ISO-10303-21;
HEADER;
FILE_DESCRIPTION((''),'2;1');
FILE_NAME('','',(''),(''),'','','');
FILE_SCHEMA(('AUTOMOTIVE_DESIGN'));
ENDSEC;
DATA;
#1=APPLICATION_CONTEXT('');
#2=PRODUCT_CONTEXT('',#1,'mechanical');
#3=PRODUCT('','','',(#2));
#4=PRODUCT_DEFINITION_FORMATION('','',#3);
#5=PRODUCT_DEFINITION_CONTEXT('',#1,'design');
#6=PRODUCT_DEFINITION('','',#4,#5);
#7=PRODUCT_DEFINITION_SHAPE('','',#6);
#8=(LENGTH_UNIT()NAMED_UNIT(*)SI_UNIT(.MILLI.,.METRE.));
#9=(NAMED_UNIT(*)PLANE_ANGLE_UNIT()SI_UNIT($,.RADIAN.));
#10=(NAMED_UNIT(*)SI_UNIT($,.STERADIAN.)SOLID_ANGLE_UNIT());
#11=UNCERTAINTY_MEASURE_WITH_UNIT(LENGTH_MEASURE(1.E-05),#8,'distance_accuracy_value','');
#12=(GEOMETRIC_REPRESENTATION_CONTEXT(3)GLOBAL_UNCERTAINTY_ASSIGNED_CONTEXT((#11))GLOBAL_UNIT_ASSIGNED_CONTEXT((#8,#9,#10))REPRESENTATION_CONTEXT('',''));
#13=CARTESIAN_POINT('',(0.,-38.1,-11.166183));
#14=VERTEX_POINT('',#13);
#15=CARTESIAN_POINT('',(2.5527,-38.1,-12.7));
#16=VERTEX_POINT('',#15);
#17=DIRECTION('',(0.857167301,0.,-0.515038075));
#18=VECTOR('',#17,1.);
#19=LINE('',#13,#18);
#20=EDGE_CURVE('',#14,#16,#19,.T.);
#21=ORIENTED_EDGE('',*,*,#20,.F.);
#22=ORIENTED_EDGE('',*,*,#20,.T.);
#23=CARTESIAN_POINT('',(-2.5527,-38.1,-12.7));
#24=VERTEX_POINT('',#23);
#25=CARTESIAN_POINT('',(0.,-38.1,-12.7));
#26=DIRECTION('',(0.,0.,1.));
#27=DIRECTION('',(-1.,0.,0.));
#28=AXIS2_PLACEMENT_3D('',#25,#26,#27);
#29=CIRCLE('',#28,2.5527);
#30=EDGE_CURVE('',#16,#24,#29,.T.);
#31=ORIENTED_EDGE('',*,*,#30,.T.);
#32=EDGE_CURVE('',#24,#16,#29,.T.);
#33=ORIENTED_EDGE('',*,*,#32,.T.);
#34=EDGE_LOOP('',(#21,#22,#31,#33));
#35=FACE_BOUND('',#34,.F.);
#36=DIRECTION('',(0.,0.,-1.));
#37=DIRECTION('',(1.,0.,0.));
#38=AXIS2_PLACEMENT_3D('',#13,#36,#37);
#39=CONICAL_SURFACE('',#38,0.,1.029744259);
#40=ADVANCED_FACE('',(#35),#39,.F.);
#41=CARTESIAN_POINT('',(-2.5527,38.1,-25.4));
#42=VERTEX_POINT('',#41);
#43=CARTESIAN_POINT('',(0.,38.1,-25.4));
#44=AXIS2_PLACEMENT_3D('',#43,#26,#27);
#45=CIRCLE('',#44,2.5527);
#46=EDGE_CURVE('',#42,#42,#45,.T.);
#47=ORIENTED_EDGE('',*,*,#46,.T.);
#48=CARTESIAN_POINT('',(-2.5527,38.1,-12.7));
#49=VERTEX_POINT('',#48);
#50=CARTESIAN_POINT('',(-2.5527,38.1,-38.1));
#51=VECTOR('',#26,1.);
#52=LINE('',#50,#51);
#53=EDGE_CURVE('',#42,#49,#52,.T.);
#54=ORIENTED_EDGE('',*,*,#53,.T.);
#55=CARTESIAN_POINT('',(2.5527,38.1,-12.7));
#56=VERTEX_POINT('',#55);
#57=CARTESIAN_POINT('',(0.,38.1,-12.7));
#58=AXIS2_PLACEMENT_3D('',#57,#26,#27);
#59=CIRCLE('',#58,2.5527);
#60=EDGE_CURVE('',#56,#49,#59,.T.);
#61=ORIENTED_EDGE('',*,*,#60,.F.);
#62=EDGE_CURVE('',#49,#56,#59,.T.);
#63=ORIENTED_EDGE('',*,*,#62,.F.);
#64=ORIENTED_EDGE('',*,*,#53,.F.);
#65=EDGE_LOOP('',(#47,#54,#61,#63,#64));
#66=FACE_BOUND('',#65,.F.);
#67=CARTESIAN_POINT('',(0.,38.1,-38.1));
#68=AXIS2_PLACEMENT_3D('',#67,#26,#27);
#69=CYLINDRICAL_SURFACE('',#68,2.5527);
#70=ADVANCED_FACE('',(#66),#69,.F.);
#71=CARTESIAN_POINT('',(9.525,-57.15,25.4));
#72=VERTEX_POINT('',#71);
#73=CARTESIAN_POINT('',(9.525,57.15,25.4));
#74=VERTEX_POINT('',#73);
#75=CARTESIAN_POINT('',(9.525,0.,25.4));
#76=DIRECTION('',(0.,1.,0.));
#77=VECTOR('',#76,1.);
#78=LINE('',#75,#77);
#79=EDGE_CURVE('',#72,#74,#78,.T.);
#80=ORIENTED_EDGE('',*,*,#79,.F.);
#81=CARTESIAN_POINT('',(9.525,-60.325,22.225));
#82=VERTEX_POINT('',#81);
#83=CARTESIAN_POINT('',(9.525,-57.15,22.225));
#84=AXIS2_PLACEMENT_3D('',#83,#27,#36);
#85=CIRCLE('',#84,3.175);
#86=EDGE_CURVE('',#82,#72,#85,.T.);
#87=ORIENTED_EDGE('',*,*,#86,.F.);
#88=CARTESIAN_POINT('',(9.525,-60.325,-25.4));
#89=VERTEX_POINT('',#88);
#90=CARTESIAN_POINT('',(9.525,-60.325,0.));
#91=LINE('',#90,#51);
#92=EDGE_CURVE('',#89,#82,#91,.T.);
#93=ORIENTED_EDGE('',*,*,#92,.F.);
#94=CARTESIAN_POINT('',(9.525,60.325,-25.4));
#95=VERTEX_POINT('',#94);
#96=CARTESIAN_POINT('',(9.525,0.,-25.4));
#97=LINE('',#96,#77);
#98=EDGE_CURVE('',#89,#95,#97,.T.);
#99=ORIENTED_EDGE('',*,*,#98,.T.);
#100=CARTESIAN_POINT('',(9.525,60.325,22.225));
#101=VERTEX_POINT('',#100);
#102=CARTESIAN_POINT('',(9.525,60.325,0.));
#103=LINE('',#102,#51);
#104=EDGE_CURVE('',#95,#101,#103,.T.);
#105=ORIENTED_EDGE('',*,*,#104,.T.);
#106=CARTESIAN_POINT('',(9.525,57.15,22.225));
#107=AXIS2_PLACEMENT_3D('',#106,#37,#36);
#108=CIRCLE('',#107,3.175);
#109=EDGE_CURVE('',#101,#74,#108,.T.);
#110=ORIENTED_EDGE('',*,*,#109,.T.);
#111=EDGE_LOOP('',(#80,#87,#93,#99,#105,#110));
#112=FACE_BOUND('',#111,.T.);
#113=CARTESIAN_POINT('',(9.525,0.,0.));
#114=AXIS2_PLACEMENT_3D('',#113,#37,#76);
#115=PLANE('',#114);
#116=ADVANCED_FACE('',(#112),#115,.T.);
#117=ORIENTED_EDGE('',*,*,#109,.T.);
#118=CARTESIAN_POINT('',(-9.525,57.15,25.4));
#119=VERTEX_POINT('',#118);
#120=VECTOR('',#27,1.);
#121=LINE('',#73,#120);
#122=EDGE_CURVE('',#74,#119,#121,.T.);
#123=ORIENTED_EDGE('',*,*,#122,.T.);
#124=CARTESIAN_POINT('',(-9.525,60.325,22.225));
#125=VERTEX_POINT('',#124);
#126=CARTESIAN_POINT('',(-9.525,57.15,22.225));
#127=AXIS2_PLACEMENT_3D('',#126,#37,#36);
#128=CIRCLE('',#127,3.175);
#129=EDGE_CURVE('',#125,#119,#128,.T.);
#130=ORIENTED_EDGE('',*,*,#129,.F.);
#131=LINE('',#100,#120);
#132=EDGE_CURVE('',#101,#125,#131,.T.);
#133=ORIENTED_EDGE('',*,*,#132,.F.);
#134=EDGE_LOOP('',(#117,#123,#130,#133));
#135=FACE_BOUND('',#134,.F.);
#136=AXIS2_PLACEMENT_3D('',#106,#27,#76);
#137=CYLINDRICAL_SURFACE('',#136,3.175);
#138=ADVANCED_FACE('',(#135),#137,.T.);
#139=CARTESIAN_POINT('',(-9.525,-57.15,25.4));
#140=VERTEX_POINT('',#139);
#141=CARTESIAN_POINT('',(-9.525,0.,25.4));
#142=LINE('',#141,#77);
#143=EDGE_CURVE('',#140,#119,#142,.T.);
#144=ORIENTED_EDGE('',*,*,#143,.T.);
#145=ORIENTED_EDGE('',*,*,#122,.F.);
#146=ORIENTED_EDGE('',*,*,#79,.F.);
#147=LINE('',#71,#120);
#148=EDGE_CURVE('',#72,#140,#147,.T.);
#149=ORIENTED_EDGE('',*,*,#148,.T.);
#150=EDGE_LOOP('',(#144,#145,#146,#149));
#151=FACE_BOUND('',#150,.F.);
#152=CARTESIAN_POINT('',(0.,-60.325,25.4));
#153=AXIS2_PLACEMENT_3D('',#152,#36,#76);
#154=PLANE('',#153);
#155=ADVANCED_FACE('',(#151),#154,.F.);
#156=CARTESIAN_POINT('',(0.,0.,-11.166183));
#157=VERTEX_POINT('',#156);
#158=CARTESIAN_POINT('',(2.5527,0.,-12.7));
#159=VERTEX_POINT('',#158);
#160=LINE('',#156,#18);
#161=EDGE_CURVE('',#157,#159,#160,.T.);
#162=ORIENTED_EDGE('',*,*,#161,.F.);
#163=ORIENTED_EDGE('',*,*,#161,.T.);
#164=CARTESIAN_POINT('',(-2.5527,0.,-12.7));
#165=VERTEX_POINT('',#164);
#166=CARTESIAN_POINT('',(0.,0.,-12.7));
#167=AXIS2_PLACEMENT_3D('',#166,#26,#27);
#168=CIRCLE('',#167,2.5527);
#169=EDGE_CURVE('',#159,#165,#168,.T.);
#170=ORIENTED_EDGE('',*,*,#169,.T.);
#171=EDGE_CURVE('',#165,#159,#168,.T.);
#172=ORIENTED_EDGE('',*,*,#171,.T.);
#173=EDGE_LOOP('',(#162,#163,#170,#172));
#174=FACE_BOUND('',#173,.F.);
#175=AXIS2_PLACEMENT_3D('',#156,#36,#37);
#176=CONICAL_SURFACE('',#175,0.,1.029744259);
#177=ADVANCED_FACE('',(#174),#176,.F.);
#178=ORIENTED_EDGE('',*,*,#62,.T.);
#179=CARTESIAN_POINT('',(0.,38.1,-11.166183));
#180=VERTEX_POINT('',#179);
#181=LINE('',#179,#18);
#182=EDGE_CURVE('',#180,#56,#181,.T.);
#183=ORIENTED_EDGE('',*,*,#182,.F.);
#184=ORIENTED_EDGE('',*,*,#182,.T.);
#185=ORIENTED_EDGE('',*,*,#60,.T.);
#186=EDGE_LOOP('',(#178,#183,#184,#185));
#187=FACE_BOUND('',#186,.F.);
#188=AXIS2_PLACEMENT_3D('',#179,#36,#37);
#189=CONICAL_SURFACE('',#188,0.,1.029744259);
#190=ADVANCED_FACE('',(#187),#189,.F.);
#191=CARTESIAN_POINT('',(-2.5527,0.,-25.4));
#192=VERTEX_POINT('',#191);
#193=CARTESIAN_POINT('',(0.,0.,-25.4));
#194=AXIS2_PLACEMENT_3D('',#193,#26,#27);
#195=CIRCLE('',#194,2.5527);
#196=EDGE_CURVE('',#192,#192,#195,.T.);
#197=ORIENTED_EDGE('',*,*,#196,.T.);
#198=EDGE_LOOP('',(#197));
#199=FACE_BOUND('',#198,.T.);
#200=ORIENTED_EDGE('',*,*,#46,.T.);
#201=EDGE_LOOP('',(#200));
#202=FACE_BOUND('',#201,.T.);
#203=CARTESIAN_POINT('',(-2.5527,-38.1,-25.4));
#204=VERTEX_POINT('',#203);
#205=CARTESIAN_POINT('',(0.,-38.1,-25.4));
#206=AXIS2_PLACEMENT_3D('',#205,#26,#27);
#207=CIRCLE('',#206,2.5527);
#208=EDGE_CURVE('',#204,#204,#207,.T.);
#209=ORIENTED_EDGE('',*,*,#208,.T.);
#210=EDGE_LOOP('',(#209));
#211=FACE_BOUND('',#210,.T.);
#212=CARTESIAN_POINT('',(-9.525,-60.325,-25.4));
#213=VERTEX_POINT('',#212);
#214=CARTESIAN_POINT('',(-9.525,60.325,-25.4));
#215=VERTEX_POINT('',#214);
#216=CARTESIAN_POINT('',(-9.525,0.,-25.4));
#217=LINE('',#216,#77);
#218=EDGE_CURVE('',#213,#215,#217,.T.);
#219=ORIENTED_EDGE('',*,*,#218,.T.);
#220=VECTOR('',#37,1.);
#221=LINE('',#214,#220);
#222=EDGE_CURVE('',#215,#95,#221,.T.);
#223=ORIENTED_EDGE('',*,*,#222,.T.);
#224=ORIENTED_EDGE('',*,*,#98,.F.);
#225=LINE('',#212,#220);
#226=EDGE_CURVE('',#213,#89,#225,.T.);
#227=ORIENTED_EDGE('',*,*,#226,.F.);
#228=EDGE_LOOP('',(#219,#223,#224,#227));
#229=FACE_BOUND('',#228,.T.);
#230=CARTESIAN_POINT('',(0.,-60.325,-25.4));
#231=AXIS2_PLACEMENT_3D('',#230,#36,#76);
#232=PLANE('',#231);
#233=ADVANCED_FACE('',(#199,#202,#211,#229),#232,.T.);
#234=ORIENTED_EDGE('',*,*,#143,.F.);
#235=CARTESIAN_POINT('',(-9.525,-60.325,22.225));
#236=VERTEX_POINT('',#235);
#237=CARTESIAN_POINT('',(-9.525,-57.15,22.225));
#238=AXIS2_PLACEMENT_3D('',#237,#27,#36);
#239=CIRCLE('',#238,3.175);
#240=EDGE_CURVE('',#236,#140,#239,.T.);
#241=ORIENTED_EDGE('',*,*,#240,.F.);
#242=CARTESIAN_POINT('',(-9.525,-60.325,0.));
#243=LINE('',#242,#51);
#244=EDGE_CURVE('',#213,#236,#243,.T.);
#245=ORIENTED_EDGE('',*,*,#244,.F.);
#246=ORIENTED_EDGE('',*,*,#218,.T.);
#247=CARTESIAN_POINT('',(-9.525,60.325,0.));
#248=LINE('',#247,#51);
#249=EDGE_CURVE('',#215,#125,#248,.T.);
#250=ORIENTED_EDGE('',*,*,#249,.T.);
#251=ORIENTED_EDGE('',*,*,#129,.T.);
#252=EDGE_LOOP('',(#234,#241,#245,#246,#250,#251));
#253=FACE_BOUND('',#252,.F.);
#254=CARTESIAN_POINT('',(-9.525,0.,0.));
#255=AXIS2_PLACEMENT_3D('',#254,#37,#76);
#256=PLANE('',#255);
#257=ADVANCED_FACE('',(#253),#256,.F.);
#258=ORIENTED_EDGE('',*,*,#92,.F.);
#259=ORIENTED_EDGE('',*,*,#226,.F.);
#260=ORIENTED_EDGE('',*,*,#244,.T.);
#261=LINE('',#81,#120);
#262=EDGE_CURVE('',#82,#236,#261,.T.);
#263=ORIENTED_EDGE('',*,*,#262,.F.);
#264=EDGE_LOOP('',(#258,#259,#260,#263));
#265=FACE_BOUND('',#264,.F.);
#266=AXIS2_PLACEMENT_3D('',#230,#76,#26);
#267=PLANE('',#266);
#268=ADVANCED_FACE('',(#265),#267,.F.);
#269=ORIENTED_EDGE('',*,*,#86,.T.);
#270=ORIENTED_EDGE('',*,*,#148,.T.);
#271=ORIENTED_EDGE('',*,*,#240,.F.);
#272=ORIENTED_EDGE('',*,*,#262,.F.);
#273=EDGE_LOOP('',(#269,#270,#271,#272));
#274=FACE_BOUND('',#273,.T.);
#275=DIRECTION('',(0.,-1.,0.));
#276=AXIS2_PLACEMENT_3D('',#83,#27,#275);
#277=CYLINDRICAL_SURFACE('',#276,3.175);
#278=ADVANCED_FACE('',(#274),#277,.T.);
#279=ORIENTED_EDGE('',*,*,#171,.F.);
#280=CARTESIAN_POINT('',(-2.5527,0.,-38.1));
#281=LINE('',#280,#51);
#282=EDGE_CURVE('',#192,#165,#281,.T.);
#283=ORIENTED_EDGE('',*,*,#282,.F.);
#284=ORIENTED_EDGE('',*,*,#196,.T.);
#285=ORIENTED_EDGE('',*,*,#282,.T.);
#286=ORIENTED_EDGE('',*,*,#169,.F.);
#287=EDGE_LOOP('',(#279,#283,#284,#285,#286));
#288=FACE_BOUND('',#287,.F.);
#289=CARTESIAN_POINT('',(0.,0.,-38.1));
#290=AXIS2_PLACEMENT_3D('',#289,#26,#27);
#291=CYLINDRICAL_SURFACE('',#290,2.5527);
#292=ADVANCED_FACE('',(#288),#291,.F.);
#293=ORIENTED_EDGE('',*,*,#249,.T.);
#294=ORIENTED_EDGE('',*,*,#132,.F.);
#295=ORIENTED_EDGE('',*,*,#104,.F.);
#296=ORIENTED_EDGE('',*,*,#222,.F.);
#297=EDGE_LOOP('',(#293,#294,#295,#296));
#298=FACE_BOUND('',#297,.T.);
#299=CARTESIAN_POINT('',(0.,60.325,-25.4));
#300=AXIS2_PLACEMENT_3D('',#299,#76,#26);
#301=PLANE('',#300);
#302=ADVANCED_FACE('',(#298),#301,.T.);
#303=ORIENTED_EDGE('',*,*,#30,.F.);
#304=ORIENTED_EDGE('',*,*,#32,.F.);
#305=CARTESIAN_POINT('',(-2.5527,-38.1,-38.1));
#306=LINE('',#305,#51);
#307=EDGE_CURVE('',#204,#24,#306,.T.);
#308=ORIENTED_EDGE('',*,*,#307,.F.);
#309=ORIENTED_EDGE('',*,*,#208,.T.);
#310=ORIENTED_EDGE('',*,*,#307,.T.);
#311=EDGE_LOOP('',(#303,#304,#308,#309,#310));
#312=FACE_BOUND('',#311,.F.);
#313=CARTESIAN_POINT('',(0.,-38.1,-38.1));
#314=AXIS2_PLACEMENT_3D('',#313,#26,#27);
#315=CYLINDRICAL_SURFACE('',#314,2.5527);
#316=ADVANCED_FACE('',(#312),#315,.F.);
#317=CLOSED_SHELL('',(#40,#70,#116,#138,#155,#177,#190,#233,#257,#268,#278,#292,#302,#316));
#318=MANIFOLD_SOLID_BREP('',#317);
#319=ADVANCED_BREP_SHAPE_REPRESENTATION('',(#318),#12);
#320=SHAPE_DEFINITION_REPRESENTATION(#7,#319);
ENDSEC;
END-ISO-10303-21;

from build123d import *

# Parameters (mm, degrees)
F0_W     = 120.65
F0_H     = 50.8
F1_DEPTH = 9.525
F2_R     = 3.175
F4_D     = 5.1054
F4_DEPTH = 12.7
F4_TIP   = 1.5338169022


with BuildPart() as f1:
    # F0 (on Right) → F1 (new body, symmetric)
    with BuildSketch(Plane.YZ):
        Rectangle(F0_W, F0_H)
    extrude(amount=F1_DEPTH, both=True)

    # F2
    f2_edges = [f1.edges().sort_by_distance(p)[0] for p in [
        (0, -60.325, 25.4),
        (0, 60.325, 25.4),
    ]]
    fillet(f2_edges, radius=F2_R)

    # F4
    with Locations(Plane(origin=(0, 0, -25.4), x_dir=(1, 0, 0), z_dir=(0, 0, -1))):
        with Locations((0, 38.1), (0, 0), (0, -38.1)):
            Hole(F4_D / 2, depth=F4_DEPTH)
            with Locations((0, 0, -(F4_DEPTH + F4_TIP / 2))):  # 118° drill point
                Cone(0, F4_D / 2, F4_TIP, mode=Mode.SUBTRACT)


solid = f1.part
